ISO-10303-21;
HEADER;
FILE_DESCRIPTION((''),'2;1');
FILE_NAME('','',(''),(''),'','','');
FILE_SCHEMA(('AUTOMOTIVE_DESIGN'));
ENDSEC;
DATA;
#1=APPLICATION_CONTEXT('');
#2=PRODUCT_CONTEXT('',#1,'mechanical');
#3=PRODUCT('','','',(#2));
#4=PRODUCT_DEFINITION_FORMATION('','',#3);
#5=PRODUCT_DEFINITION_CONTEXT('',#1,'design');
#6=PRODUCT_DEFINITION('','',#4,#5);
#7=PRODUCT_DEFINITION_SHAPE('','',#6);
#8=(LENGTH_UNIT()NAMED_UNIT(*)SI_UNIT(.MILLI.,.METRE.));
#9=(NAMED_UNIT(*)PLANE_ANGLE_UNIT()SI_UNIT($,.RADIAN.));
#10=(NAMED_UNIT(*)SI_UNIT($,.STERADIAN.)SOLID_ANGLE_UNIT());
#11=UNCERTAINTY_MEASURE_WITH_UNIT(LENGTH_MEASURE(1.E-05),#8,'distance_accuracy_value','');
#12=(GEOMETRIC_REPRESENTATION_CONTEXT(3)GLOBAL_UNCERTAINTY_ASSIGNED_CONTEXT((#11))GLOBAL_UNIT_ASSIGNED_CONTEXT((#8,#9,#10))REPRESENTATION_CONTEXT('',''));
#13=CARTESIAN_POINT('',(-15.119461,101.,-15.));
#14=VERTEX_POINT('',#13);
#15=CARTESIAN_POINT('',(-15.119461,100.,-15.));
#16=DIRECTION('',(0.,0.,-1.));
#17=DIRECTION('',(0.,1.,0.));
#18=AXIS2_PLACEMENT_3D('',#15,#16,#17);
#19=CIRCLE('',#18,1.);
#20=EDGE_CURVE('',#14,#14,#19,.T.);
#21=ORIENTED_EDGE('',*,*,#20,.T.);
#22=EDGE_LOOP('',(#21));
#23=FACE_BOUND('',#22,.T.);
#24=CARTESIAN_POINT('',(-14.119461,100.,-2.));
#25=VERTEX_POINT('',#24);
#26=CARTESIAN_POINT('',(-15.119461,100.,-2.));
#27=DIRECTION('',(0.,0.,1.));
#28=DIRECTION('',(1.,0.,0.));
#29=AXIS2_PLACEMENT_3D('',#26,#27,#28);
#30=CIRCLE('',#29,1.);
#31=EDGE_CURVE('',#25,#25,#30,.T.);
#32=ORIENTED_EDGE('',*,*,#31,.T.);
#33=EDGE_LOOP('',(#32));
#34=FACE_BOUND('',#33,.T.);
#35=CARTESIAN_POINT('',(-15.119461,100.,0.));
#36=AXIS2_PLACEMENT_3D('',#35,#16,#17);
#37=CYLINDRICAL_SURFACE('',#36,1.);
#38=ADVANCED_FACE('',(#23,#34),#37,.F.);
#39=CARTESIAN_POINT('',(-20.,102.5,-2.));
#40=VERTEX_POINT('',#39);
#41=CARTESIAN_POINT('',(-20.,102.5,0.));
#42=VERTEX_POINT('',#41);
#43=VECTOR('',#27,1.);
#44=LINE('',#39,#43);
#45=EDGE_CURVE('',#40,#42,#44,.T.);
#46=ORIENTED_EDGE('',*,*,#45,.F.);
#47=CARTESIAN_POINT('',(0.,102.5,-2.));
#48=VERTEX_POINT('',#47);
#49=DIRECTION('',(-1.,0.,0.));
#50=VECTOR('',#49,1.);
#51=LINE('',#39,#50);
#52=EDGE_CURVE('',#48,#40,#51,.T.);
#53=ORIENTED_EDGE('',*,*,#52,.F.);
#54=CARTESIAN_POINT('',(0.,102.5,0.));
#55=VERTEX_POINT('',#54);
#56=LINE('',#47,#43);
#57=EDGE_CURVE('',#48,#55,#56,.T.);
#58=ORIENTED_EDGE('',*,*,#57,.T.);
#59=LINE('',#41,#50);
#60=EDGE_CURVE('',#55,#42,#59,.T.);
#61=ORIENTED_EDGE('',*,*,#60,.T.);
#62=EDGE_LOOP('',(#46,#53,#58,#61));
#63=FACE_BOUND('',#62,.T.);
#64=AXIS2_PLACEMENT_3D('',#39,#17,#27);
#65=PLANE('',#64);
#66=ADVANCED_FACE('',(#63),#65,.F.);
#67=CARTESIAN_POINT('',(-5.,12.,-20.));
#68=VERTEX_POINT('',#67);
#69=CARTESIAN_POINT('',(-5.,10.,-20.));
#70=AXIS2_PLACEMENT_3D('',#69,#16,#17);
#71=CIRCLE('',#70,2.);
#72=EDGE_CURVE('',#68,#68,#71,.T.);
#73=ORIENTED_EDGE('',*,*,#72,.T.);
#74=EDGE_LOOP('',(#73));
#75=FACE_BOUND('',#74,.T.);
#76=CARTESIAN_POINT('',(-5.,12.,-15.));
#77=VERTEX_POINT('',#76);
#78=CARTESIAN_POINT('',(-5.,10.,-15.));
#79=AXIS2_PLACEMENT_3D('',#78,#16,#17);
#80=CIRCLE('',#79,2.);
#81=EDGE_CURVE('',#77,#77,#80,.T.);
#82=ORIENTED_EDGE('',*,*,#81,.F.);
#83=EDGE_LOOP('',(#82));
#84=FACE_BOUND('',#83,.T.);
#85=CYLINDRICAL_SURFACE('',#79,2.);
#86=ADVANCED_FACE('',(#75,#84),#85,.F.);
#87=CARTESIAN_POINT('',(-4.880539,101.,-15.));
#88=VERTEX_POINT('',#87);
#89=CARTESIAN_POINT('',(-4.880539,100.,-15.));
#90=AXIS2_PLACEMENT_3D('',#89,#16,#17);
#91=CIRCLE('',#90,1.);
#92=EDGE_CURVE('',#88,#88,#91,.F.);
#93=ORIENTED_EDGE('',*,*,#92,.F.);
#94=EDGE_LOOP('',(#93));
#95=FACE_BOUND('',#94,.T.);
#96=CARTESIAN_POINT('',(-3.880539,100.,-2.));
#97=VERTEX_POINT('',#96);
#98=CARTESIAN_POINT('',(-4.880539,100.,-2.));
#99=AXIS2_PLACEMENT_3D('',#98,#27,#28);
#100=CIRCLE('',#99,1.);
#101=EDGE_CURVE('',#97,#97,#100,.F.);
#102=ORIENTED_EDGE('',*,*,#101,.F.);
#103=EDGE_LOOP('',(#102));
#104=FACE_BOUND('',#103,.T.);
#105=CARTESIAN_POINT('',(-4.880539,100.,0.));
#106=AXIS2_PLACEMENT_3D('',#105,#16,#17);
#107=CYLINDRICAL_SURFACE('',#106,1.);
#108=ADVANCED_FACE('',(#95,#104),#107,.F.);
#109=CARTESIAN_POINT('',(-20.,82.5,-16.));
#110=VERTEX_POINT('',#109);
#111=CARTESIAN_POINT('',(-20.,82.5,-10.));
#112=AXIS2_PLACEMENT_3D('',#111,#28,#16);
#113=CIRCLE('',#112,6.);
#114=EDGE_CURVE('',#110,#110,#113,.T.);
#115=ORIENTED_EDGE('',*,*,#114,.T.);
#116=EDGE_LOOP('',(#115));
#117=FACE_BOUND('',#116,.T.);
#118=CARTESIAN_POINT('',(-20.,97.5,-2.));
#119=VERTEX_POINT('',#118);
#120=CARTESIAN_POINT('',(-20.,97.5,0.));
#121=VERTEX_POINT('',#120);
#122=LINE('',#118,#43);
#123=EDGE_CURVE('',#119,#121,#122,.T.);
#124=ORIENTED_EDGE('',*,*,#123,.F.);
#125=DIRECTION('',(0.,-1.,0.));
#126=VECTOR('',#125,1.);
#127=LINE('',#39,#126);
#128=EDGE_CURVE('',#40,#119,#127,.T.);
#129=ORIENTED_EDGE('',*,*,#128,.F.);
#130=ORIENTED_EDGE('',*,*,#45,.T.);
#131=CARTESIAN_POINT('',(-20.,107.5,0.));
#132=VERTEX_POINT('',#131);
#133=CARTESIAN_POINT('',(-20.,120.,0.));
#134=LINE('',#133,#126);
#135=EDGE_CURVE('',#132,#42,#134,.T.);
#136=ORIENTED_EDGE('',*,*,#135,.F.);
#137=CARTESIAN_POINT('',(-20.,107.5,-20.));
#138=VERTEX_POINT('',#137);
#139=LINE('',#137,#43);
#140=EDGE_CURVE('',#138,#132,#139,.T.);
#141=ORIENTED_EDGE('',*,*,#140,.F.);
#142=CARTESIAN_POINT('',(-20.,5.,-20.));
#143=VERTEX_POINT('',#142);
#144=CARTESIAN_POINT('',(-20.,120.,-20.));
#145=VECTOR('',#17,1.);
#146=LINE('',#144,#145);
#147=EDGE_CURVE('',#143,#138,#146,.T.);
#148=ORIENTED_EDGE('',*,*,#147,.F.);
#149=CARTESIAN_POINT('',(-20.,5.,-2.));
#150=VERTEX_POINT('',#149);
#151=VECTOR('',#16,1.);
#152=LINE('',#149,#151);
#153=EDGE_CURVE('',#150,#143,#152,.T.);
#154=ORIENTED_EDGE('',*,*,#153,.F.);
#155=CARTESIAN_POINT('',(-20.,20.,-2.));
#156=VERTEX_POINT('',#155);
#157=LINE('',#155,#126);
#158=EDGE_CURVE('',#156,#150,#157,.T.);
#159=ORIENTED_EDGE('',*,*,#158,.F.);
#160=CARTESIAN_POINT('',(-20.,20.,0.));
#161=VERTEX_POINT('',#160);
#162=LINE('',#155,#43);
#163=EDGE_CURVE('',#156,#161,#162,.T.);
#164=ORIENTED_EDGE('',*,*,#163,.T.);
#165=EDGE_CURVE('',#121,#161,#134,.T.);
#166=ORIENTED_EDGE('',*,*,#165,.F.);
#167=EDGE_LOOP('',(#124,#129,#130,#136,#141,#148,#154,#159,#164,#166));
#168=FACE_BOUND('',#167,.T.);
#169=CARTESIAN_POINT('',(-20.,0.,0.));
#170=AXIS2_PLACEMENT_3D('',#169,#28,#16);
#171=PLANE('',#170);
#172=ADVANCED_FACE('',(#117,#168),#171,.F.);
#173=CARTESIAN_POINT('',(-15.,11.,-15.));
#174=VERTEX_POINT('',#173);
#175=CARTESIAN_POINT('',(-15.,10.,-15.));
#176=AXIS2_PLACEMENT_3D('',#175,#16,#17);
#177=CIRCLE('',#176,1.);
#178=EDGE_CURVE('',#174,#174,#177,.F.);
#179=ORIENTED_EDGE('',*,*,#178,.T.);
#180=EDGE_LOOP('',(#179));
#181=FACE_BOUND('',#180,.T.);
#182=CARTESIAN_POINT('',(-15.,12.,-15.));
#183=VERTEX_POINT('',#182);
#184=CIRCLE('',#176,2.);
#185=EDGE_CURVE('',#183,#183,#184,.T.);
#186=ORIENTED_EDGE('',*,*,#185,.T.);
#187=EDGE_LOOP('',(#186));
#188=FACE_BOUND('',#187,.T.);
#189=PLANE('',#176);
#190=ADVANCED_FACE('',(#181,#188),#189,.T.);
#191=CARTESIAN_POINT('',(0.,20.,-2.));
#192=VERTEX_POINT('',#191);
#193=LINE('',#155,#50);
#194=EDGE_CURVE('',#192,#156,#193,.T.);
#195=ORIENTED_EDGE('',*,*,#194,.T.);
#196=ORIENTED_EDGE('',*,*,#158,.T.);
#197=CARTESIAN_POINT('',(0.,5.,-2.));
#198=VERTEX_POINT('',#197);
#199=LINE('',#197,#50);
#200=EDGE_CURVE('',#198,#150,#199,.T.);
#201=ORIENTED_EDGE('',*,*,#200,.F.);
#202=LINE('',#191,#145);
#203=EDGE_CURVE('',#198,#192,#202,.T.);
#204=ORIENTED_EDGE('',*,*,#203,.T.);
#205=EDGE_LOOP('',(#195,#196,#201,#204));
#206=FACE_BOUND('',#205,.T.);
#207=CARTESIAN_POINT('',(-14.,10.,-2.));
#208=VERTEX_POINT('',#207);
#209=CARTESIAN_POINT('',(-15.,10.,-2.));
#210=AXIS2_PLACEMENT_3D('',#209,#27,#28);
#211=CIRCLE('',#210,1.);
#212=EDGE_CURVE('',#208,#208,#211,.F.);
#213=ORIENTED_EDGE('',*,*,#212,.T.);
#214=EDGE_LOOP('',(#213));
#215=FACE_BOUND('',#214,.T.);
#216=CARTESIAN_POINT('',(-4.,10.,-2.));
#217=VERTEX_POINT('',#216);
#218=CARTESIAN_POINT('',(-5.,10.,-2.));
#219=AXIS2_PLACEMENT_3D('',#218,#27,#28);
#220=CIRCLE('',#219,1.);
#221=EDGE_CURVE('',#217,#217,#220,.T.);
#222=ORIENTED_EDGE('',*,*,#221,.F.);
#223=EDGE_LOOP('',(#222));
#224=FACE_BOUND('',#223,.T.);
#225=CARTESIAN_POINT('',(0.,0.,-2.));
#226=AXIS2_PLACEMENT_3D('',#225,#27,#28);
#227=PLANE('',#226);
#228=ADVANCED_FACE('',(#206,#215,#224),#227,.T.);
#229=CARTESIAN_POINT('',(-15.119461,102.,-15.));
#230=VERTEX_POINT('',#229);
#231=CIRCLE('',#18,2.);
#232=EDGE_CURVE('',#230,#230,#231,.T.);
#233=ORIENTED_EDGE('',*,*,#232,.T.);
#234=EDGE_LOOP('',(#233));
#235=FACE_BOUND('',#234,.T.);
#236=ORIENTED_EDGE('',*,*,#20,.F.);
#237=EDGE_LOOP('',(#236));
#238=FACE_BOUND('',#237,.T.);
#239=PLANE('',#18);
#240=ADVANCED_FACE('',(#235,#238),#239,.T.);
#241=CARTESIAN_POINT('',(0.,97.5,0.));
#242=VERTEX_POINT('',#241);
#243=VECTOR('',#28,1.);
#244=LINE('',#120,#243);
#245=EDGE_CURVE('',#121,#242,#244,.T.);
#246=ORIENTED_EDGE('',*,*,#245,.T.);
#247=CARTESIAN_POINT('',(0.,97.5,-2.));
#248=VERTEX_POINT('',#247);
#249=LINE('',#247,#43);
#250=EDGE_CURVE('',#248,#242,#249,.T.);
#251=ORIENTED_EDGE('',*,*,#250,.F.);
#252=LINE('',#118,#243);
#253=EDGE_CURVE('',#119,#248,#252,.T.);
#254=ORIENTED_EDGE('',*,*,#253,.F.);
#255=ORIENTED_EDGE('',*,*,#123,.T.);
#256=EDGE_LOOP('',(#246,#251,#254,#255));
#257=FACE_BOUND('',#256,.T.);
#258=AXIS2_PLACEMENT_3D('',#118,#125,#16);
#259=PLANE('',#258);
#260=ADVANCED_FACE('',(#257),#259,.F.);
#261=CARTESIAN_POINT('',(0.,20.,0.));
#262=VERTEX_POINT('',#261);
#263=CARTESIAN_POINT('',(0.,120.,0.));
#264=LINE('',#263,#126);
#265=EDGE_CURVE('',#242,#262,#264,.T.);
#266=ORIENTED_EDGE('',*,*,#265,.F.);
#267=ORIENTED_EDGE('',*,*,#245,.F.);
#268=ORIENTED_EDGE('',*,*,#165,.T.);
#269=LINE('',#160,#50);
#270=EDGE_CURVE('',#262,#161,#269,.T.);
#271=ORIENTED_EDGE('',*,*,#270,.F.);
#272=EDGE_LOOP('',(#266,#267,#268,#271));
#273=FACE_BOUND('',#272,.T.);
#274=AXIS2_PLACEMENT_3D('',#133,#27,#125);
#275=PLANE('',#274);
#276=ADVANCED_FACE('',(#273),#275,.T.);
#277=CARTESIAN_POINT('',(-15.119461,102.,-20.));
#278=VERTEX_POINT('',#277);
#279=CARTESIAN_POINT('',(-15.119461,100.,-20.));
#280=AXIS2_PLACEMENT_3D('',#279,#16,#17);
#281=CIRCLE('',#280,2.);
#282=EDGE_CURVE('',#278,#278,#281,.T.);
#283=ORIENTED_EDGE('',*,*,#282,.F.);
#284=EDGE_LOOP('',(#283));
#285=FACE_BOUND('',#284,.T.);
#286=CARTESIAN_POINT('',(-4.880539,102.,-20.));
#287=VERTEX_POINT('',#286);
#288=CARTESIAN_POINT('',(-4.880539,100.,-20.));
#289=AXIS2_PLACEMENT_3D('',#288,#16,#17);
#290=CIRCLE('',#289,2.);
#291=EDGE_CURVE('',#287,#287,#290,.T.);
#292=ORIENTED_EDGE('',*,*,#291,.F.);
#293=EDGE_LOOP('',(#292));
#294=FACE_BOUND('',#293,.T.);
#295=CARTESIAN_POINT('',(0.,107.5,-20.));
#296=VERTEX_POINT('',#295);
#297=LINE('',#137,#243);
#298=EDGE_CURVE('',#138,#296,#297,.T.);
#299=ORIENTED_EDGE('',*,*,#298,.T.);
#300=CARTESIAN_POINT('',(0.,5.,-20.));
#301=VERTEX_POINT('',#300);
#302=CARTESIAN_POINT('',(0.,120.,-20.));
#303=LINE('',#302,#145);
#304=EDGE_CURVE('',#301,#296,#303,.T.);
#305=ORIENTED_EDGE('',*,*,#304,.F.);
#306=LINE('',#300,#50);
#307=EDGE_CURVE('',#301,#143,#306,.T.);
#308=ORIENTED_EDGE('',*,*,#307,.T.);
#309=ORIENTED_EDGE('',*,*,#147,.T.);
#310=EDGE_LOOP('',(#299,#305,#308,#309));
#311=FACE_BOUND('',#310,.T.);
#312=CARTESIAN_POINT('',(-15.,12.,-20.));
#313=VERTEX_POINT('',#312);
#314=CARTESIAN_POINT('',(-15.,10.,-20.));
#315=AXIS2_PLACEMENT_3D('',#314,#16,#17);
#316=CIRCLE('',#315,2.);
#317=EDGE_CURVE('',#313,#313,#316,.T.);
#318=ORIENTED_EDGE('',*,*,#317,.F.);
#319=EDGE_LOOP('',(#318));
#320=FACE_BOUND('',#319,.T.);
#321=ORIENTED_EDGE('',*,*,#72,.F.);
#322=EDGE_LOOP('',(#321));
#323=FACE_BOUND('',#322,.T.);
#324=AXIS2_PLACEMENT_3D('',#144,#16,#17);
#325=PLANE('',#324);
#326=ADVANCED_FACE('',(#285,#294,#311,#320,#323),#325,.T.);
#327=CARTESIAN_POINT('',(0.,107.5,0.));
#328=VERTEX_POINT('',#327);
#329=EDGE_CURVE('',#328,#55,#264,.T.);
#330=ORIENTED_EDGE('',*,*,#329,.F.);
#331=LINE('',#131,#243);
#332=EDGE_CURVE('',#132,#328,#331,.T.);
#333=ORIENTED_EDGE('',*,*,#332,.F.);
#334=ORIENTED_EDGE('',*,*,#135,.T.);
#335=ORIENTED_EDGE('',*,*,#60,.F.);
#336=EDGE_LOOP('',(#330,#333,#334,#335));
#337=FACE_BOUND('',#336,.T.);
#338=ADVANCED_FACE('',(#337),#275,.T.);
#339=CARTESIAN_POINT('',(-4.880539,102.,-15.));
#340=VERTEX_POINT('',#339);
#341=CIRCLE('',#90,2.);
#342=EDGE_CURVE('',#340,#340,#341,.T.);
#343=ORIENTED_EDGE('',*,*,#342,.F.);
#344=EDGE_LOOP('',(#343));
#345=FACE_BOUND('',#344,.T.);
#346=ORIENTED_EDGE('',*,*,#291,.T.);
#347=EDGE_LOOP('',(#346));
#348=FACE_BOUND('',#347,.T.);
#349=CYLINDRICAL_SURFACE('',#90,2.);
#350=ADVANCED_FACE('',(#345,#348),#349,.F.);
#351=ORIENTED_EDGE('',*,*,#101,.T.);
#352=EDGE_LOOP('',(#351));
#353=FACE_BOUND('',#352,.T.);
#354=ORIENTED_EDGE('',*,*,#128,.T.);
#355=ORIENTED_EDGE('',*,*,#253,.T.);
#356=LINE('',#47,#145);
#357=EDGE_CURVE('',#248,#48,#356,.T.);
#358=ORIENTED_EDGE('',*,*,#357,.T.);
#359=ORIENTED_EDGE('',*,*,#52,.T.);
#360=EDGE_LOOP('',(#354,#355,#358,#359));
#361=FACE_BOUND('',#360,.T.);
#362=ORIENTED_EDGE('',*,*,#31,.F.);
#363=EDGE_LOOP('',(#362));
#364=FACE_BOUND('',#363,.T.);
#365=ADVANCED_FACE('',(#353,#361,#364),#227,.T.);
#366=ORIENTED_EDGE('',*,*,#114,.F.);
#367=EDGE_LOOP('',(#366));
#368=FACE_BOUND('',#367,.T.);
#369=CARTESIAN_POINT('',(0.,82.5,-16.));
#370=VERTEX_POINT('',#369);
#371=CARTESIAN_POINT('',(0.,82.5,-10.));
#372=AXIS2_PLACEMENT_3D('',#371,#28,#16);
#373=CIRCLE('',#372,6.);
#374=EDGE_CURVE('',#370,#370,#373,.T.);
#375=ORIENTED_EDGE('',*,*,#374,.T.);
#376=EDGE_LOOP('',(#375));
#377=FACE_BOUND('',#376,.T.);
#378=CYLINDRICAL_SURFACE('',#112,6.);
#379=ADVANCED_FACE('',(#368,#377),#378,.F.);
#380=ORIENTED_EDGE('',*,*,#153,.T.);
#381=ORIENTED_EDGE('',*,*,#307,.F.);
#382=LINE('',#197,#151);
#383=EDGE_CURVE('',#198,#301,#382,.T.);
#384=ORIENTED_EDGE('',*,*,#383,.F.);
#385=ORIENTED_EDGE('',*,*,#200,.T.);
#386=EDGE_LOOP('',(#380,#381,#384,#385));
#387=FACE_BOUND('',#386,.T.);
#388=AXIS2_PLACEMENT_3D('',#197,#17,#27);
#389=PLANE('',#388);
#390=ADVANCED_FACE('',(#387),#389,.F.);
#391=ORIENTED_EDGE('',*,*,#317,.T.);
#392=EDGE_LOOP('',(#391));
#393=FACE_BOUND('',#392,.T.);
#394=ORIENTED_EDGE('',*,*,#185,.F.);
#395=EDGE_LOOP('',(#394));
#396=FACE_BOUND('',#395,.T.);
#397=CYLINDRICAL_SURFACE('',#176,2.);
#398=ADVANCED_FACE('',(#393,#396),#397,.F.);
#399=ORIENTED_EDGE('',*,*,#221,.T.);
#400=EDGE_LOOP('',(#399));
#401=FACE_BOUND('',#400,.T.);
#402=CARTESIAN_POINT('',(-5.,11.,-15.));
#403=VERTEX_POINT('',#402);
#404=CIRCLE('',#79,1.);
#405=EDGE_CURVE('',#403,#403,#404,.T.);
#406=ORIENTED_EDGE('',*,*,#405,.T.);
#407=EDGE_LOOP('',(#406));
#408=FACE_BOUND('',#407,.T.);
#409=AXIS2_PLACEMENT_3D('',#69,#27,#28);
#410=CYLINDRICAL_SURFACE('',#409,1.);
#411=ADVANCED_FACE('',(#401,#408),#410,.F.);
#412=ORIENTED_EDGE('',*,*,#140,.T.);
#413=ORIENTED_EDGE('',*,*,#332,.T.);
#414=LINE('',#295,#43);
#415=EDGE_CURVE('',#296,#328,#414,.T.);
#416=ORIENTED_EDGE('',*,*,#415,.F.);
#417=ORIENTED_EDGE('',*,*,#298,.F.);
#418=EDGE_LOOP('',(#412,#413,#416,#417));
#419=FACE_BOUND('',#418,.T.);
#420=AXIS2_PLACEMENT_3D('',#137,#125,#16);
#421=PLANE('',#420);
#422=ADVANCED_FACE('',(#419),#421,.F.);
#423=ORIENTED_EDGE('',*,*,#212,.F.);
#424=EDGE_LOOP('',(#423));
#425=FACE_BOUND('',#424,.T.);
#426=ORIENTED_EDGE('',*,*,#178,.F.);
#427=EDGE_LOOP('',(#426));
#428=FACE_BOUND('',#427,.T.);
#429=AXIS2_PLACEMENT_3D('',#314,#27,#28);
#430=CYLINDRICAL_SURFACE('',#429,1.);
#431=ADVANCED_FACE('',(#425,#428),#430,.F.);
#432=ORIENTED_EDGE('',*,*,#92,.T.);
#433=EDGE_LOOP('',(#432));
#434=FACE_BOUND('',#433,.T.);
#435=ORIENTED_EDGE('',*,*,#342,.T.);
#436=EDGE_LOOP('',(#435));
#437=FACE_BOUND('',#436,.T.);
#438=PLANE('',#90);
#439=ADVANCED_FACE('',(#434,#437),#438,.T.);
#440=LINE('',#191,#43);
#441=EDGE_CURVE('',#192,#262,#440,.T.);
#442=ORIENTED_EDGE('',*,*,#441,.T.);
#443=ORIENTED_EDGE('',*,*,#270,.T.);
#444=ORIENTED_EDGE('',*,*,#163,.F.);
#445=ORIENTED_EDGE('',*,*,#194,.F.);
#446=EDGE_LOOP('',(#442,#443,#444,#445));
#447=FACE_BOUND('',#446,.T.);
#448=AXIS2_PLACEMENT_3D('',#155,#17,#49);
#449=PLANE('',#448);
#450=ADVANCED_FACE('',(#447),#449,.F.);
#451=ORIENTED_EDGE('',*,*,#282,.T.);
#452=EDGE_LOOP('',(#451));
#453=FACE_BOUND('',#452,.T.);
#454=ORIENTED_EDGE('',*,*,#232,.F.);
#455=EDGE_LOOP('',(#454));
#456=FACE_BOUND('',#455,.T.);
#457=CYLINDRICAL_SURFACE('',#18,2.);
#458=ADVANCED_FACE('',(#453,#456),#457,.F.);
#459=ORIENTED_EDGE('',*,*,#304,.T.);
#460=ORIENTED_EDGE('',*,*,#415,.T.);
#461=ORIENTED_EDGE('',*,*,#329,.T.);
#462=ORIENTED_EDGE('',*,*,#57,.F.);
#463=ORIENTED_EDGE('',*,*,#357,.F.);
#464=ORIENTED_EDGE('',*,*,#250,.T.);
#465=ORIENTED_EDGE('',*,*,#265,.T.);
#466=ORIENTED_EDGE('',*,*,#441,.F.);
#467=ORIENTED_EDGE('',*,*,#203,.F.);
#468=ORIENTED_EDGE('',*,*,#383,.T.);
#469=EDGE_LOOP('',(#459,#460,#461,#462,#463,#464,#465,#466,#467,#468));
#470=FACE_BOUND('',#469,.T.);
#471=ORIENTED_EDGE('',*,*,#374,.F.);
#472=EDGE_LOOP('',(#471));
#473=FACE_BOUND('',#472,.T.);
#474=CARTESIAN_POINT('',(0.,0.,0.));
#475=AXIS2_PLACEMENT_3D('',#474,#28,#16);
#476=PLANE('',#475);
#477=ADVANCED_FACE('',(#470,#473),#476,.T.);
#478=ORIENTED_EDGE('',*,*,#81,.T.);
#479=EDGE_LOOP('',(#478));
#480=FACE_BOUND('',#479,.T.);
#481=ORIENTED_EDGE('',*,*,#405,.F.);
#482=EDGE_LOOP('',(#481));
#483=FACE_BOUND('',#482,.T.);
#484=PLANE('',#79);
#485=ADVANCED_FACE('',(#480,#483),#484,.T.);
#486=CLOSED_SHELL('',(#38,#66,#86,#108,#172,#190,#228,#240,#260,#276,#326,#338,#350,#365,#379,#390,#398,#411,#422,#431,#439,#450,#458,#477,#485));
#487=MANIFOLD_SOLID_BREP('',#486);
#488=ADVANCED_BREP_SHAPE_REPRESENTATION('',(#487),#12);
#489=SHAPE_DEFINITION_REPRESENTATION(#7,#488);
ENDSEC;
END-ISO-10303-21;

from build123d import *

# Parameters (mm, degrees)
SKETCH1_W           = 20
SKETCH1_H           = 120
SKETCH1_R           = 2.5
BOSS_EXTRUDE2_DEPTH = 20
SKETCH10_R          = 6
CUT_EXTRUDE1_DEPTH  = 21
SKETCH11_R          = 1
CUT_EXTRUDE2_DEPTH  = 21
SKETCH12_R          = 2
CUT_EXTRUDE3_DEPTH  = 5
SKETCH13_R          = 1
CUT_EXTRUDE4_DEPTH  = 21
SKETCH14_R          = 2
CUT_EXTRUDE5_DEPTH  = 5
SKETCH16_W          = 20
SKETCH16_H          = 5
SKETCH16_H_2        = 20
CUT_EXTRUDE6_DEPTH  = 2
SKETCH17_W          = 18
SKETCH17_H          = 5
CUT_EXTRUDE7_DEPTH  = 21
SKETCH18_W          = 20
SKETCH18_H          = 12.5
CUT_EXTRUDE8_DEPTH  = 21


with BuildPart() as part:
    # Sketch1 → Boss-Extrude2 (new body)
    with BuildSketch(Plane(origin=(0, 0, 0), x_dir=(0, 0, -1), z_dir=(1, 0, 0))):
        with Locations((10, 60)):
            Rectangle(SKETCH1_W, SKETCH1_H)
        with Locations((10, 82.5)):
            Circle(SKETCH1_R, mode=Mode.SUBTRACT)
    extrude(amount=-BOSS_EXTRUDE2_DEPTH)

    # Sketch10 → Cut-Extrude1 (cut, through all)
    with BuildSketch(Plane(origin=(0, 0, 0), x_dir=(0, 0, -1), z_dir=(1, 0, 0))):
        with Locations((10, 82.5)):
            Circle(SKETCH10_R)
    extrude(amount=-CUT_EXTRUDE1_DEPTH, mode=Mode.SUBTRACT)

    # Sketch11 → Cut-Extrude2 (cut, through all)
    with BuildSketch(Plane.XY):
        with Locations((-15, 10)):
            Circle(SKETCH11_R)
        with Locations((-5, 10)):
            Circle(SKETCH11_R)
    extrude(amount=-CUT_EXTRUDE2_DEPTH, mode=Mode.SUBTRACT)

    # Sketch12 → Cut-Extrude3 (cut)
    with BuildSketch(Plane(origin=(0, 0, -20), x_dir=(-1, 0, 0), z_dir=(0, 0, -1))):
        with Locations((5, 10)):
            Circle(SKETCH12_R)
        with Locations((15, 10)):
            Circle(SKETCH12_R)
    extrude(amount=-CUT_EXTRUDE3_DEPTH, mode=Mode.SUBTRACT)

    # Sketch13 → Cut-Extrude4 (cut, through all)
    with BuildSketch(Plane(origin=(0, 0, -20), x_dir=(-1, 0, 0), z_dir=(0, 0, -1))):
        with Locations((4.880538742, 100)):
            Circle(SKETCH13_R)
        with Locations((15.119461258, 100)):
            Circle(SKETCH13_R)
    extrude(amount=-CUT_EXTRUDE4_DEPTH, mode=Mode.SUBTRACT)

    # Sketch14 → Cut-Extrude5 (cut)
    with BuildSketch(Plane(origin=(0, 0, -20), x_dir=(-1, 0, 0), z_dir=(0, 0, -1))):
        with Locations((4.880538742, 100)):
            Circle(SKETCH14_R)
        with Locations((15.119461258, 100)):
            Circle(SKETCH14_R)
    extrude(amount=-CUT_EXTRUDE5_DEPTH, mode=Mode.SUBTRACT)

    # Sketch16 → Cut-Extrude6 (cut)
    with BuildSketch(Plane.XY):
        with Locations((-10, 100)):
            Rectangle(SKETCH16_W, SKETCH16_H)
        with Locations((-10, 10)):
            Rectangle(SKETCH16_W, SKETCH16_H_2)
    extrude(amount=-CUT_EXTRUDE6_DEPTH, mode=Mode.SUBTRACT)

    # Sketch17 → Cut-Extrude7 (cut, through all)
    with BuildSketch(Plane.ZY.offset(20)):
        with Locations((-11, 2.5)):
            Rectangle(SKETCH17_W, SKETCH17_H)
    extrude(amount=-CUT_EXTRUDE7_DEPTH, mode=Mode.SUBTRACT)

    # Sketch18 → Cut-Extrude8 (cut, through all)
    with BuildSketch(Plane.XY):
        with Locations((-10, 113.75)):
            Rectangle(SKETCH18_W, SKETCH18_H)
    extrude(amount=-CUT_EXTRUDE8_DEPTH, mode=Mode.SUBTRACT)


solid = part.part
